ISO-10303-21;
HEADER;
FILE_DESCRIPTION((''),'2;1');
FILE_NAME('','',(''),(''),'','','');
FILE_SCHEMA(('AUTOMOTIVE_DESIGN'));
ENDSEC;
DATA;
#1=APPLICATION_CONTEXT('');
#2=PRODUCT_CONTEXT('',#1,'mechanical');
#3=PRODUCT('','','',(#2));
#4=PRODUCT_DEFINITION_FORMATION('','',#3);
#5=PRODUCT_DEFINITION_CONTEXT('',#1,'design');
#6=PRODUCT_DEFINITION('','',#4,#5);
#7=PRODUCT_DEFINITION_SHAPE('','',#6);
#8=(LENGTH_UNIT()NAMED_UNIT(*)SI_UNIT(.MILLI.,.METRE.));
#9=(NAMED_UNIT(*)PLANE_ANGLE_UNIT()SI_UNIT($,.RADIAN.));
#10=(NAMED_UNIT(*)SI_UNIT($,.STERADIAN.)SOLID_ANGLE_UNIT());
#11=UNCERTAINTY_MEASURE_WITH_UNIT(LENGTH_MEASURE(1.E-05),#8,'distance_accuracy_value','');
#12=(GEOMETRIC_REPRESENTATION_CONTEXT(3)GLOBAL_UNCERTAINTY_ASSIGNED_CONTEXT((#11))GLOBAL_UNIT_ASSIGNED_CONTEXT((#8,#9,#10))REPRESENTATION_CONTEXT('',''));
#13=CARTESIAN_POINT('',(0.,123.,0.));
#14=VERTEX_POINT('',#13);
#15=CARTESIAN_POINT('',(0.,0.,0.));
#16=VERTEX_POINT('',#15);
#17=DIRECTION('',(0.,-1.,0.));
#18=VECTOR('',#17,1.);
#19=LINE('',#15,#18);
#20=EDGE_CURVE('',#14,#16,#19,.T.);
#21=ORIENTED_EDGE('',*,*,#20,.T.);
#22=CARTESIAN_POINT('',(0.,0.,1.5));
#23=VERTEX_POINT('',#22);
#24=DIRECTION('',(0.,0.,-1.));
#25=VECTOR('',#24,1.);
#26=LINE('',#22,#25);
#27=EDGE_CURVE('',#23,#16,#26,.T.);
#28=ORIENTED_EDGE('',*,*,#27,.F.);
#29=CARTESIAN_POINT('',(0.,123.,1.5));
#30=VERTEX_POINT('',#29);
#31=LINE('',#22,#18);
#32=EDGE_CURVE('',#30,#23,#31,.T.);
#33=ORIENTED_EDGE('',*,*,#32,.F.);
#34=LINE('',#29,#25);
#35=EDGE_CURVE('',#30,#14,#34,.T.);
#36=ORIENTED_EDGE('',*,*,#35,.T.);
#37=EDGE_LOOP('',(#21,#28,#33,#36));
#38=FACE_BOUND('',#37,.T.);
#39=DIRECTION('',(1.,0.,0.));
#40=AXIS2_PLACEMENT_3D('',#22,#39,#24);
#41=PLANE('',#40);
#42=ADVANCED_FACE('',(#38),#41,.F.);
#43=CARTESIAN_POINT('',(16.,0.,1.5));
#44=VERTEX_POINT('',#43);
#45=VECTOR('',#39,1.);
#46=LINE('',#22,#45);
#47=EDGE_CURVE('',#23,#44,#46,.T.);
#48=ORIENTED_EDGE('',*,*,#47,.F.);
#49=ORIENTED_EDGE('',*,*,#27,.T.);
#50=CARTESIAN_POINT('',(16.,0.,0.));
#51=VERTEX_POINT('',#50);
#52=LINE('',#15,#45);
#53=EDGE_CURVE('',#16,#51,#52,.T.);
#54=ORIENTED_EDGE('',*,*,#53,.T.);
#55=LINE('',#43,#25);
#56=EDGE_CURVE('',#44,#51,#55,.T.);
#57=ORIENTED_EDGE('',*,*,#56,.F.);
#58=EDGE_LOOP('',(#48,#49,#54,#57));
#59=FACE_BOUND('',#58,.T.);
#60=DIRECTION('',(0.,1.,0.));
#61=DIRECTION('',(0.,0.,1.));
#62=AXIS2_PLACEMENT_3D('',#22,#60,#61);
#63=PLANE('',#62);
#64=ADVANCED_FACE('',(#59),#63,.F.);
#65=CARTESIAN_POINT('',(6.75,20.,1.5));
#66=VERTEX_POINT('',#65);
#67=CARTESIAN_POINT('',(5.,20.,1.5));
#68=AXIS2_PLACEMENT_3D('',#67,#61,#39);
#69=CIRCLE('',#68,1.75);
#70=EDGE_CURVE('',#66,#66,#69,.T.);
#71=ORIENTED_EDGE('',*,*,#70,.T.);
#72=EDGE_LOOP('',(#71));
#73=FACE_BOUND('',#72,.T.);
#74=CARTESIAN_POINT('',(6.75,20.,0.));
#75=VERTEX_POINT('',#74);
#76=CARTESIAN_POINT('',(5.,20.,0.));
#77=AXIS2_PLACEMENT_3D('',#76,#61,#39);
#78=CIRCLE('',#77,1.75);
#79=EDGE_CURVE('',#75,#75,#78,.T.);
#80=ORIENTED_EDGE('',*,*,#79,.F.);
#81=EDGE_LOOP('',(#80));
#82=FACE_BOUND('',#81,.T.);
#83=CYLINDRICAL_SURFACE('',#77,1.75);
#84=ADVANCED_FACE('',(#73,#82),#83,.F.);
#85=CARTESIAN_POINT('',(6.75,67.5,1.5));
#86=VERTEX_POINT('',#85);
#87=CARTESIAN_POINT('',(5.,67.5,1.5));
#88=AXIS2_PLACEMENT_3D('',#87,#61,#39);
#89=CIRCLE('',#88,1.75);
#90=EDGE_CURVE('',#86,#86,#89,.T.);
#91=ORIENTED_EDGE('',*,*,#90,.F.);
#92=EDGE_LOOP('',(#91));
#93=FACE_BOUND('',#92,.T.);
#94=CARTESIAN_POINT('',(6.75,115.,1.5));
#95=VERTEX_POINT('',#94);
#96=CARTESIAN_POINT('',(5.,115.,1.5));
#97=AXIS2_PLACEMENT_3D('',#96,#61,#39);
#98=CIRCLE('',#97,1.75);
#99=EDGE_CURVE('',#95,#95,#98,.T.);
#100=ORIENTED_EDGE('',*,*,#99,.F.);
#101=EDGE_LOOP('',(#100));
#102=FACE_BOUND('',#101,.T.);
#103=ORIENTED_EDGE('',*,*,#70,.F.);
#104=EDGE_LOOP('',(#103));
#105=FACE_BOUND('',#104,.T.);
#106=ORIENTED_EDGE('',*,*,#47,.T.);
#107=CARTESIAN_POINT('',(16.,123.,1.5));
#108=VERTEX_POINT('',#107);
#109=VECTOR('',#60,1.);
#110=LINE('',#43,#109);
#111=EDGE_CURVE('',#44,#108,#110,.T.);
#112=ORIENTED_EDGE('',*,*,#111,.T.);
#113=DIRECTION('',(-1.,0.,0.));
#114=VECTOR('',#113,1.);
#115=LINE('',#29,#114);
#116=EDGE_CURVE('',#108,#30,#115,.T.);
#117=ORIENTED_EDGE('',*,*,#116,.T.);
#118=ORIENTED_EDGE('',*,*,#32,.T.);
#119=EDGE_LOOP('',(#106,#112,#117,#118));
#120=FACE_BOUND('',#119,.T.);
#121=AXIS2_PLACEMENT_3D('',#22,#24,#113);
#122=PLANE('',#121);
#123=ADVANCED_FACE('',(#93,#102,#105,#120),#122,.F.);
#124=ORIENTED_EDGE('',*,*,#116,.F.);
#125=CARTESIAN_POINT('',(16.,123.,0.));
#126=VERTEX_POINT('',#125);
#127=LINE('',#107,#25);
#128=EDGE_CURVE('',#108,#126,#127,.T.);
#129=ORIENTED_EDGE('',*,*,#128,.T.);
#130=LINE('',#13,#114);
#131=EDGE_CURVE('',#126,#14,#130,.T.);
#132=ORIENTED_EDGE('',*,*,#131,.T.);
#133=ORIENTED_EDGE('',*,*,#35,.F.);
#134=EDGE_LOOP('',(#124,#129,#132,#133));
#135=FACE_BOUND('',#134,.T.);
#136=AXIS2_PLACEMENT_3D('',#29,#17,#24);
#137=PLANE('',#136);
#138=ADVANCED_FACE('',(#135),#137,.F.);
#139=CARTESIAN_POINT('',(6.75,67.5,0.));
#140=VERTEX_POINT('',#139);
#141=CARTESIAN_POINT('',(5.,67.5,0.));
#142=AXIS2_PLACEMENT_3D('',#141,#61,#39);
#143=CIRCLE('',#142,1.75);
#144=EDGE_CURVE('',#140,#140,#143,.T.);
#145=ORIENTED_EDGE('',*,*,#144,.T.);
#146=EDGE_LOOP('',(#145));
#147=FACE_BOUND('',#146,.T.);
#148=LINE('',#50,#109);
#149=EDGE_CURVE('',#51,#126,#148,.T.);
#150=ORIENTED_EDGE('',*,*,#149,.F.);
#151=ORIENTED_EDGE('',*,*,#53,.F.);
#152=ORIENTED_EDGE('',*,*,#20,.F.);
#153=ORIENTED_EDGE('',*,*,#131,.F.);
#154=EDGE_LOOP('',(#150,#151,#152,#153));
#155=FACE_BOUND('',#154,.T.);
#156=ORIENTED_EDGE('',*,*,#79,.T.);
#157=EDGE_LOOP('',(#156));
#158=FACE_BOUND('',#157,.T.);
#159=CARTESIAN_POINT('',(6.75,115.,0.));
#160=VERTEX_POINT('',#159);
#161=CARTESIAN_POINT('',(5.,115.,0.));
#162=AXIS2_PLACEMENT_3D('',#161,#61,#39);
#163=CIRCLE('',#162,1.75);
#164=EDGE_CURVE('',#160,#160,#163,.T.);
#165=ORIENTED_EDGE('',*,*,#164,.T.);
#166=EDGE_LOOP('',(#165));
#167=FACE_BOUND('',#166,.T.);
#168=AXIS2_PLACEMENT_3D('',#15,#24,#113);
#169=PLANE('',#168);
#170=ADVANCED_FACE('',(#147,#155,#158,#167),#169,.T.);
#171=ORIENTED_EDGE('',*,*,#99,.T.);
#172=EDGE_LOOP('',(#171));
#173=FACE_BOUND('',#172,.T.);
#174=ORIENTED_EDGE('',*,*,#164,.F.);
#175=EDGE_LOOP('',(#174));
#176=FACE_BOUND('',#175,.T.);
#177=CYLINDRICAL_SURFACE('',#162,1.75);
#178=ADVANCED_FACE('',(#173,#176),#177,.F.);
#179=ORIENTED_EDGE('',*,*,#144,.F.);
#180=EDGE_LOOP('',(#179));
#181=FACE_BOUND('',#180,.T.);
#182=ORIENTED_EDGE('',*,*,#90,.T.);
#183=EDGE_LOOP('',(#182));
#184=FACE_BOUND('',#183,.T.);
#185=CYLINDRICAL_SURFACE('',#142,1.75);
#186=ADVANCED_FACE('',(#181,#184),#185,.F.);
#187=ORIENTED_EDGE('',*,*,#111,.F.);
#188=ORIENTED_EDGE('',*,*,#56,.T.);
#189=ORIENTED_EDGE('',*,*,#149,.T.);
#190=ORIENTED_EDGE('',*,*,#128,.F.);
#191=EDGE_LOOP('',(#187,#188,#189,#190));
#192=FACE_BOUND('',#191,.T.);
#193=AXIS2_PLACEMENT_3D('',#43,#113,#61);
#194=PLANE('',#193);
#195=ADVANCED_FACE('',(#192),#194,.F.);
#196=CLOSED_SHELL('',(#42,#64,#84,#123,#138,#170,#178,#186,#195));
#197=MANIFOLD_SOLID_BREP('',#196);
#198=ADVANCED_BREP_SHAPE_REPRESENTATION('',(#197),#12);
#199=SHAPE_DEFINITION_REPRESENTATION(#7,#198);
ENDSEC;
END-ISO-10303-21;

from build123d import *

# Parameters (mm, degrees)
SKETCH1_W           = 16
SKETCH1_H           = 123
BOSS_EXTRUDE1_DEPTH = 1.5
SKETCH2_R           = 1.75
CUT_EXTRUDE1_DEPTH  = 2.5
LPATTERN1_COUNT     = 3
LPATTERN1_PITCH     = 47.5


with BuildPart() as part:
    # Sketch1 → Boss-Extrude1 (new body)
    with BuildSketch(Plane.XY):
        with Locations((8, 61.5)):
            Rectangle(SKETCH1_W, SKETCH1_H)
    extrude(amount=BOSS_EXTRUDE1_DEPTH)

    # Sketch2 → Cut-Extrude1 (cut, through all)
    with BuildSketch(Plane.XY.offset(1.5)):
        with Locations((5, 20)):
            Circle(SKETCH2_R)
    cut_extrude1 = extrude(amount=-CUT_EXTRUDE1_DEPTH, mode=Mode.SUBTRACT)

    # LPattern1: Cut-Extrude1 ×3
    with Locations(*[(0, i * LPATTERN1_PITCH, 0) for i in range(1, LPATTERN1_COUNT)]):
        add(cut_extrude1, mode=Mode.SUBTRACT)


solid = part.part
